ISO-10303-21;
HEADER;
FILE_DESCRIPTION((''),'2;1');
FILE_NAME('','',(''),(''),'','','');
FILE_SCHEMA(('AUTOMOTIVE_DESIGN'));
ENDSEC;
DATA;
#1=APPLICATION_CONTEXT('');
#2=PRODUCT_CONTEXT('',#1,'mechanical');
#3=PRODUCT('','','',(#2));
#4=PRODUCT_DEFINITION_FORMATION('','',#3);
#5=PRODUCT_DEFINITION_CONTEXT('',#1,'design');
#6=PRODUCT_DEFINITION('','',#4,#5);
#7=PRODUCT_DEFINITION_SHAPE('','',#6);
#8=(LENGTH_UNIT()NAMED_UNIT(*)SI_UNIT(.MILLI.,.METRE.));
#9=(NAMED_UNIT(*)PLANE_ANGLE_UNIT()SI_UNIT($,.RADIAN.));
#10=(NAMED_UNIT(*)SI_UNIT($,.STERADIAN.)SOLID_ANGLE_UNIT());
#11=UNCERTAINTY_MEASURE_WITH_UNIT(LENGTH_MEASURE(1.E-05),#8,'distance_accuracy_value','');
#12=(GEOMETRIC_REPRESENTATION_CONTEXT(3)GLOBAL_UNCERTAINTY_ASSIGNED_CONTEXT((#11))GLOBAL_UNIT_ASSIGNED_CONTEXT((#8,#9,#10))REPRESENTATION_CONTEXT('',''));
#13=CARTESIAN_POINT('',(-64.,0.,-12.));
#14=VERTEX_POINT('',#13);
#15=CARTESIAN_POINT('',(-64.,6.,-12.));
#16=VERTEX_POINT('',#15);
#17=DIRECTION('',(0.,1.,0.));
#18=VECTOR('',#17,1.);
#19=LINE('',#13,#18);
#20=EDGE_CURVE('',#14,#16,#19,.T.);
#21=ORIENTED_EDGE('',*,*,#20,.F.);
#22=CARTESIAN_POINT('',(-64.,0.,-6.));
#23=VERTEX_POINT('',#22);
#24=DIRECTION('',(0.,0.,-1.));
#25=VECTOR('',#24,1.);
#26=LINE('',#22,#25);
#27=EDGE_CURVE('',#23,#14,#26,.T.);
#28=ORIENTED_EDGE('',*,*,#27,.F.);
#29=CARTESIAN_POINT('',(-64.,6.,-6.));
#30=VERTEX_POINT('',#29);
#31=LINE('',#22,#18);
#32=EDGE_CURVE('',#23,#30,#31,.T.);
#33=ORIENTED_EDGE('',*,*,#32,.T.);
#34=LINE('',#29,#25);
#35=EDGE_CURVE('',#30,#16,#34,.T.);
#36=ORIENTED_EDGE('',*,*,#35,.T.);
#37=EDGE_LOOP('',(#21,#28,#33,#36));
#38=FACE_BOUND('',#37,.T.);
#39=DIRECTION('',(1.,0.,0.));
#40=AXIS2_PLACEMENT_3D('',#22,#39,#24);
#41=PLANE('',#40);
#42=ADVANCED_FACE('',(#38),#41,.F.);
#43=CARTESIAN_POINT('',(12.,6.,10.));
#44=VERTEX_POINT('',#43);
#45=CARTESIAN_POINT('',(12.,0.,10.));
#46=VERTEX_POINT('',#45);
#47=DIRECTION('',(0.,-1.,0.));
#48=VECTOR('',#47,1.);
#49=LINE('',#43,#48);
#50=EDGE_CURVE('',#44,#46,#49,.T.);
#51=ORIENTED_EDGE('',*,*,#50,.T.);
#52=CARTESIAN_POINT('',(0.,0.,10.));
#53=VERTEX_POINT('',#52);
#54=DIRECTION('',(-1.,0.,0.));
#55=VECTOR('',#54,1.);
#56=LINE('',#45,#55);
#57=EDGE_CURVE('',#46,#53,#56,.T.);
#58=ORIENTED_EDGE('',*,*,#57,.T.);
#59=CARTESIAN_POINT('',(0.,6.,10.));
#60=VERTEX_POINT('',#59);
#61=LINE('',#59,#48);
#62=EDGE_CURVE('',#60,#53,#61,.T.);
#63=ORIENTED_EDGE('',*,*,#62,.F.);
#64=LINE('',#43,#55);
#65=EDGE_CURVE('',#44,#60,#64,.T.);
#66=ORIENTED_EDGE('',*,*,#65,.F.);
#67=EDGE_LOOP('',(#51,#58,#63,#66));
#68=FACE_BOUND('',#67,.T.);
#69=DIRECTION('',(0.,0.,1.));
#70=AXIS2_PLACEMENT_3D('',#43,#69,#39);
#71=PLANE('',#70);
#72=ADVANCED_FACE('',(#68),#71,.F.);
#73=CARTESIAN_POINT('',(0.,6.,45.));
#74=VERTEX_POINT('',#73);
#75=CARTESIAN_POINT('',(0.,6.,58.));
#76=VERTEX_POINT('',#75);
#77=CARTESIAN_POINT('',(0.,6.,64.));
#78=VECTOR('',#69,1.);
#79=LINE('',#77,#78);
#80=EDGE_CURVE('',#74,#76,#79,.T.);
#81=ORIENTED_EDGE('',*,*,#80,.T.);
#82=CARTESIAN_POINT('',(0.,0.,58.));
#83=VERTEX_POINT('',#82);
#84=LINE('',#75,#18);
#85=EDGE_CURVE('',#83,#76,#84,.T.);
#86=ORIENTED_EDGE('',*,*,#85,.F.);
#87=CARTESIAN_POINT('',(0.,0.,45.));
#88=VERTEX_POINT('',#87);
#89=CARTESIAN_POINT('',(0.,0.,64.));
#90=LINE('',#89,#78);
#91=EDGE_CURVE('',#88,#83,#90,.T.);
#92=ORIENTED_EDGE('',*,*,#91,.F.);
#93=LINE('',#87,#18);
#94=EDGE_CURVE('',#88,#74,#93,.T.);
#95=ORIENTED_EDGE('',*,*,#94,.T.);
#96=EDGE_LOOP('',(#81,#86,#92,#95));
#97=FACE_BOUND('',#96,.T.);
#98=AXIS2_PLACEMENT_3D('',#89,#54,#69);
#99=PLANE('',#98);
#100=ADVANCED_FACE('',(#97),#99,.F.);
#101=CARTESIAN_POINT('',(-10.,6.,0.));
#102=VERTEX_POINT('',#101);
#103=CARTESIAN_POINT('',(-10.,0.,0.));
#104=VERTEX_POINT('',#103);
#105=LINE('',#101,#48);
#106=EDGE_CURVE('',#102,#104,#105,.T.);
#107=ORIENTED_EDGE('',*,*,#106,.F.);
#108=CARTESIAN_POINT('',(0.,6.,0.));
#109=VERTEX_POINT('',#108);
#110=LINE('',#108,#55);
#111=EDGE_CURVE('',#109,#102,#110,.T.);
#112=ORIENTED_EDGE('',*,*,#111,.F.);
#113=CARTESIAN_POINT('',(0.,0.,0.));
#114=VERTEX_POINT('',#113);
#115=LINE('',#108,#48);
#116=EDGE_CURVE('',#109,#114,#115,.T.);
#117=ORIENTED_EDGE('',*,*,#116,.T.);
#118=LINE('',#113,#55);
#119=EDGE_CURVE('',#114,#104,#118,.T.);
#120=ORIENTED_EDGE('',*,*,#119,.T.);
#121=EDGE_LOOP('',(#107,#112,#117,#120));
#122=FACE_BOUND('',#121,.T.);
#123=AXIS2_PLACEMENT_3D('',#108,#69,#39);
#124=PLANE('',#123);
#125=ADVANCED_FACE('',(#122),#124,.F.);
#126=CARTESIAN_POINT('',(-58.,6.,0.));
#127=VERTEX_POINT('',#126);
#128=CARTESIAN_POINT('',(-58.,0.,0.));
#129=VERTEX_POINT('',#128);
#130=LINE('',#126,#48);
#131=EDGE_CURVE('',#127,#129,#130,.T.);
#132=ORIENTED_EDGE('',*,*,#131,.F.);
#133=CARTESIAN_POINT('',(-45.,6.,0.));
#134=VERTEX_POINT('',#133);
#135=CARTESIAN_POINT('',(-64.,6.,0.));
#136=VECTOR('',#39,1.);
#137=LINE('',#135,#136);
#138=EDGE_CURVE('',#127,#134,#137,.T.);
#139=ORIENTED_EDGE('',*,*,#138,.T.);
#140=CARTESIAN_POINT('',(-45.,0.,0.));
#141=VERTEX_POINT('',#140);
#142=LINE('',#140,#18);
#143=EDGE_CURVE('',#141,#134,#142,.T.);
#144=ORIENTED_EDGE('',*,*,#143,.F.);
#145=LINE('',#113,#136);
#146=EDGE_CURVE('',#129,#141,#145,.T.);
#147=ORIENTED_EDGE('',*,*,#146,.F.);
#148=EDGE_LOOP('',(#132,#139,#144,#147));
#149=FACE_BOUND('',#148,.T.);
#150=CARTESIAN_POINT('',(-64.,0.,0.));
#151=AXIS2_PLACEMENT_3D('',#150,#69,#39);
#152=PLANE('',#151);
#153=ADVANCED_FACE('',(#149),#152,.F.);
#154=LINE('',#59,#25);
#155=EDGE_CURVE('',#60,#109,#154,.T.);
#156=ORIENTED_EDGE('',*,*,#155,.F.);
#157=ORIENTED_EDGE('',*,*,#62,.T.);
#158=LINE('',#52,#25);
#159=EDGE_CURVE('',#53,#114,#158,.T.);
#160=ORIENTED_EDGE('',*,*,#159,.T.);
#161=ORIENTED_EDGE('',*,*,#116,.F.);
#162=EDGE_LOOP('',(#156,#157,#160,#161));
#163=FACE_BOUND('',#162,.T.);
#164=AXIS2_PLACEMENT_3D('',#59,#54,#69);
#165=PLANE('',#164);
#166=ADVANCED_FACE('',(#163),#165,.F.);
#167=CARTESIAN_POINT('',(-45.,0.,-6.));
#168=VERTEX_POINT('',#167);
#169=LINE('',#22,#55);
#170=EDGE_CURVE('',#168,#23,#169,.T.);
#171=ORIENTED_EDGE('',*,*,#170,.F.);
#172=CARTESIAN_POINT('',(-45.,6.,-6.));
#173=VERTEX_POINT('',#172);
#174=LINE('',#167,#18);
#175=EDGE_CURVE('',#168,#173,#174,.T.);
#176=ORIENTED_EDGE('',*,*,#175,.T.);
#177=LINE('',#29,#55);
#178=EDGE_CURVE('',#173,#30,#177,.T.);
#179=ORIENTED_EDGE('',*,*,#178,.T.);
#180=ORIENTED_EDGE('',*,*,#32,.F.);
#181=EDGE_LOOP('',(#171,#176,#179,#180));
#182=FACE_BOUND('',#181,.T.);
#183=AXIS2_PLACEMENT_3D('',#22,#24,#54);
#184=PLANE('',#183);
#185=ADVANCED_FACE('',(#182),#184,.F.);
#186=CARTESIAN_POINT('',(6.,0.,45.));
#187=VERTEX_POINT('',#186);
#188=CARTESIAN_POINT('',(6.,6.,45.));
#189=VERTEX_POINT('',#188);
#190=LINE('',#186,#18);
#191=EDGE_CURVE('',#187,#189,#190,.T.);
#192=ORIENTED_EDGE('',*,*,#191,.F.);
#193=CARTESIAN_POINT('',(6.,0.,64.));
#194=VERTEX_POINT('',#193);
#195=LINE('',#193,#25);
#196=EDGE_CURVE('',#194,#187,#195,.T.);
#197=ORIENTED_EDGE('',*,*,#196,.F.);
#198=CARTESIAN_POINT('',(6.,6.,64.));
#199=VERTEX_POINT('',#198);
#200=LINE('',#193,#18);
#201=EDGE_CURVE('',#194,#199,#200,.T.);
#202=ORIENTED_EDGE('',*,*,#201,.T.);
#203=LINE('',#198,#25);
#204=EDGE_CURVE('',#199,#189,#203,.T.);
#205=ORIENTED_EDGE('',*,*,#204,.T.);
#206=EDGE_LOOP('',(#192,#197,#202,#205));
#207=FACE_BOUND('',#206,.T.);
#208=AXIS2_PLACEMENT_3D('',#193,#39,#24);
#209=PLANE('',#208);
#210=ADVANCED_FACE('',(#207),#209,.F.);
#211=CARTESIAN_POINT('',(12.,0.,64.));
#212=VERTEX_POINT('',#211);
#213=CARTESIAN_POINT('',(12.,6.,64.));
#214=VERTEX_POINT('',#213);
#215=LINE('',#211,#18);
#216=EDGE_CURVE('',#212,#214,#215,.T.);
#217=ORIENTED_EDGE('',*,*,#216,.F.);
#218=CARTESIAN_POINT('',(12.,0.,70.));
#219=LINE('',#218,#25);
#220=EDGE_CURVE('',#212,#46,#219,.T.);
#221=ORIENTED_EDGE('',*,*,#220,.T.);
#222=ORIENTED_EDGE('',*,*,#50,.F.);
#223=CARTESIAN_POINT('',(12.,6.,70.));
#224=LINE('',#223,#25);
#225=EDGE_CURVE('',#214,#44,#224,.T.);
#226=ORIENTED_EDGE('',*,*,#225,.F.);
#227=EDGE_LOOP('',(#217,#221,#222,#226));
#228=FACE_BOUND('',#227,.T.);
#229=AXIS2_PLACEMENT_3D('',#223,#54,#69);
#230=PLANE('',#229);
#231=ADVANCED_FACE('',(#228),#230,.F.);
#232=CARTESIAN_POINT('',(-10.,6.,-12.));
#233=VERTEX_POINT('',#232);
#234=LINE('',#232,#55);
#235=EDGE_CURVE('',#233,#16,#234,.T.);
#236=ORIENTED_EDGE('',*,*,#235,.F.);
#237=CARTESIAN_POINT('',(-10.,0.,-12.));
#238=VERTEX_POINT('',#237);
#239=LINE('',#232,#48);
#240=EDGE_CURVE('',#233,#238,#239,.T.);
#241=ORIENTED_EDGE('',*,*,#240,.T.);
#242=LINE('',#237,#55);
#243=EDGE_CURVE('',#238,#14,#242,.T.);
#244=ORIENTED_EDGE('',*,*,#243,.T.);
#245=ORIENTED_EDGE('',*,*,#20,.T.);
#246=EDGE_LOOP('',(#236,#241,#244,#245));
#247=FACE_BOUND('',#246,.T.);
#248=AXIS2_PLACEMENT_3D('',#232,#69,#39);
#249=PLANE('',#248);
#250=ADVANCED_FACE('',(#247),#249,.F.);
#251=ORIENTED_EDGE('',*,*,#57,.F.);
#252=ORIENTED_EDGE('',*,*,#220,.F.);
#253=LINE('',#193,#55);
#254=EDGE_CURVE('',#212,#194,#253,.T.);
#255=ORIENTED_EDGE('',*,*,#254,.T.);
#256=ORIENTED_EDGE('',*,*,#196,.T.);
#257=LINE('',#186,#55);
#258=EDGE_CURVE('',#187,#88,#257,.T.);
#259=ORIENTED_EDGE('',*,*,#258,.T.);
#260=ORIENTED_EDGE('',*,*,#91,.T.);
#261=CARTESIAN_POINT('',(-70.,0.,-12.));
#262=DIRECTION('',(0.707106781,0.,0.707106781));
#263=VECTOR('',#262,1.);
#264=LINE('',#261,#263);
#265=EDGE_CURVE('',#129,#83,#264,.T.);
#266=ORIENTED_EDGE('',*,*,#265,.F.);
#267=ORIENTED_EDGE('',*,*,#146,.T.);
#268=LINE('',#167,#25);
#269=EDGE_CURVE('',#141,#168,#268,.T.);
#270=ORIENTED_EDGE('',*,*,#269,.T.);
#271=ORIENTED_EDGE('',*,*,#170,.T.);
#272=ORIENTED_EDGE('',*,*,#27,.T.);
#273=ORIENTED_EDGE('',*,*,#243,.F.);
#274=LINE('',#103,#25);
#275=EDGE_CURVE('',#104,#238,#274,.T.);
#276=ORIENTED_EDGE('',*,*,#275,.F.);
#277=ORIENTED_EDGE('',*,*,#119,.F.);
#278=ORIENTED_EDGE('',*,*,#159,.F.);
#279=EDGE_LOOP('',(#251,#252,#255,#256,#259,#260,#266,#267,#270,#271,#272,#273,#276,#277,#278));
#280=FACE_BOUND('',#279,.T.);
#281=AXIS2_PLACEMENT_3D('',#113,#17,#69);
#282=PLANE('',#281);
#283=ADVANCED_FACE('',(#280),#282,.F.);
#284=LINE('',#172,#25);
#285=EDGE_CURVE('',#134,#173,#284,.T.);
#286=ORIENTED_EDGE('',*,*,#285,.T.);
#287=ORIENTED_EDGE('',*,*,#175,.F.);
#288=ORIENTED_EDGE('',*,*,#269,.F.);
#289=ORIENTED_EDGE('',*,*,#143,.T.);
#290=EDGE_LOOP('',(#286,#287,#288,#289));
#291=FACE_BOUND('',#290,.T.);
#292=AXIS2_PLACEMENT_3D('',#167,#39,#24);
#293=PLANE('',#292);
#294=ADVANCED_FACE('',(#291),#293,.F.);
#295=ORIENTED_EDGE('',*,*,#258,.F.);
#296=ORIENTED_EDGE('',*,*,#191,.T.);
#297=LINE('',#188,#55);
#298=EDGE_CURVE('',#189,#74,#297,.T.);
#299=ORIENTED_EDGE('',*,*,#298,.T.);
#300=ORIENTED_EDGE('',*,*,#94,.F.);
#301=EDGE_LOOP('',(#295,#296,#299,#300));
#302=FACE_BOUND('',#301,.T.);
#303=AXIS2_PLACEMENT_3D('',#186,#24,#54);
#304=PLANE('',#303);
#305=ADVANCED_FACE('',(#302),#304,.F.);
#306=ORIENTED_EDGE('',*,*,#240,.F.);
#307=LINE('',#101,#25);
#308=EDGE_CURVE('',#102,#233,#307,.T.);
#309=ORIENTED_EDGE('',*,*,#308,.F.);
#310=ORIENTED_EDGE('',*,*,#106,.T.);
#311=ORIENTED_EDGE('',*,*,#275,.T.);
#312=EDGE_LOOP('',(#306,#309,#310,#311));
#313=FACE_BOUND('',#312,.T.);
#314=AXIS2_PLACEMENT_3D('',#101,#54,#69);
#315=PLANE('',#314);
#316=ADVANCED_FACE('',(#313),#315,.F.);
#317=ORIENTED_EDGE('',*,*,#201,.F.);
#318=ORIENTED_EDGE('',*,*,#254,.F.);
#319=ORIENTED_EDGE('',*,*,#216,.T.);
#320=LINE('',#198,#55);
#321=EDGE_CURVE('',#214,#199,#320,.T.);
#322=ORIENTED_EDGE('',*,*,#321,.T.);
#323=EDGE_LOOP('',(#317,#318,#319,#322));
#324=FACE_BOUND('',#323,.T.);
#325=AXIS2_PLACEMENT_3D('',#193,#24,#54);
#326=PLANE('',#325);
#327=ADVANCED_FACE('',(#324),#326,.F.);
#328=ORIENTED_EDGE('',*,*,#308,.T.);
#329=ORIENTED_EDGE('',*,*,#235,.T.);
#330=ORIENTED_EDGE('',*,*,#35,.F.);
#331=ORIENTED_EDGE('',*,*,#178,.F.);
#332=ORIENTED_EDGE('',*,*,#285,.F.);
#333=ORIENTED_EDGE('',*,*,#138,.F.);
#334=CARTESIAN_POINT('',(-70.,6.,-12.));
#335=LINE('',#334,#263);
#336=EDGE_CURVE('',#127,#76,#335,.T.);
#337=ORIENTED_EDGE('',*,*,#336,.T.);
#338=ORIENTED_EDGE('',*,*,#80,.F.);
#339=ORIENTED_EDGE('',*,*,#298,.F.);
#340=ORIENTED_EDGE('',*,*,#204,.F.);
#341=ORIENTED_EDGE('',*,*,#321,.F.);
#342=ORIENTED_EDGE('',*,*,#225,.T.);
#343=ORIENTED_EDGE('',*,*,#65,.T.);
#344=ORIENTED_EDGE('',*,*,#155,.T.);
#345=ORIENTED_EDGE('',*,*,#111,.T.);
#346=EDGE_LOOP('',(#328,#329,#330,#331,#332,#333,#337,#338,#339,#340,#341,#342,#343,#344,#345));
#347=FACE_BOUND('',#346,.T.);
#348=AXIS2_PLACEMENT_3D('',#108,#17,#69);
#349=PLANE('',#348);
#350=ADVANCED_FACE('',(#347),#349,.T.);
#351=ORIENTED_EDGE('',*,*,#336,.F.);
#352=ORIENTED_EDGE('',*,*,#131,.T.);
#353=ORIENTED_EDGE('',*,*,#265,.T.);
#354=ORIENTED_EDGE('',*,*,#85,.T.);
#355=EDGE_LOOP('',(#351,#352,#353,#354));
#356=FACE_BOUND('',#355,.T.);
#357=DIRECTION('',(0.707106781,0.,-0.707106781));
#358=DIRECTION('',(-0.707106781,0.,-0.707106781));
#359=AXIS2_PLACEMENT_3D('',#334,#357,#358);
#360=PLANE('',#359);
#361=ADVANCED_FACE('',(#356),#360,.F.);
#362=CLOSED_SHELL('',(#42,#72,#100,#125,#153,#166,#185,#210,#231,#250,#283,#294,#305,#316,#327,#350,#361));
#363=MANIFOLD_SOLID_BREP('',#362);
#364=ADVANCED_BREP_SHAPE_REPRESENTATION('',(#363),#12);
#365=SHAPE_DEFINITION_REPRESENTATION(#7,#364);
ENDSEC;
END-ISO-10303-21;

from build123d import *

# Parameters (mm, degrees)
BOSS_EXTRUDE1_DEPTH = 6
SKETCH3_W           = 19
SKETCH3_H           = 6
SKETCH3_W_2         = 6
SKETCH3_H_2         = 19
CUT_EXTRUDE1_DEPTH  = 100.176610146
SKETCH4_W           = 6
SKETCH4_H           = 6
CUT_EXTRUDE2_DEPTH  = 100.176610146


with BuildPart() as part:
    # Sketch2 → Boss-Extrude1 (new body)
    with BuildSketch(Plane(origin=(0, 0, 0), x_dir=(1, 0, 0), z_dir=(0, 1, 0))):
        Polygon((0, 0), (-10, 0), (-10, 12), (-70, 12), (12, -70), (12, -10), (0, -10), align=None)
    extrude(amount=BOSS_EXTRUDE1_DEPTH)

    # Sketch3 → Cut-Extrude1 (cut, through all)
    with BuildSketch(Plane(origin=(0, 6, 0), x_dir=(1, 0, 0), z_dir=(0, 1, 0))):
        with Locations((-54.5, 3)):
            Rectangle(SKETCH3_W, SKETCH3_H)
        with Locations((3, -54.5)):
            Rectangle(SKETCH3_W_2, SKETCH3_H_2)
    extrude(amount=-CUT_EXTRUDE1_DEPTH, mode=Mode.SUBTRACT)

    # Sketch4 → Cut-Extrude2 (cut, through all)
    with BuildSketch(Plane(origin=(0, 6, 0), x_dir=(1, 0, 0), z_dir=(0, 1, 0))):
        with Locations((-67, 9)):
            Rectangle(SKETCH4_W, SKETCH4_H)
        with Locations((9, -67)):
            Rectangle(SKETCH4_W, SKETCH4_H)
    extrude(amount=-CUT_EXTRUDE2_DEPTH, mode=Mode.SUBTRACT)


solid = part.part
